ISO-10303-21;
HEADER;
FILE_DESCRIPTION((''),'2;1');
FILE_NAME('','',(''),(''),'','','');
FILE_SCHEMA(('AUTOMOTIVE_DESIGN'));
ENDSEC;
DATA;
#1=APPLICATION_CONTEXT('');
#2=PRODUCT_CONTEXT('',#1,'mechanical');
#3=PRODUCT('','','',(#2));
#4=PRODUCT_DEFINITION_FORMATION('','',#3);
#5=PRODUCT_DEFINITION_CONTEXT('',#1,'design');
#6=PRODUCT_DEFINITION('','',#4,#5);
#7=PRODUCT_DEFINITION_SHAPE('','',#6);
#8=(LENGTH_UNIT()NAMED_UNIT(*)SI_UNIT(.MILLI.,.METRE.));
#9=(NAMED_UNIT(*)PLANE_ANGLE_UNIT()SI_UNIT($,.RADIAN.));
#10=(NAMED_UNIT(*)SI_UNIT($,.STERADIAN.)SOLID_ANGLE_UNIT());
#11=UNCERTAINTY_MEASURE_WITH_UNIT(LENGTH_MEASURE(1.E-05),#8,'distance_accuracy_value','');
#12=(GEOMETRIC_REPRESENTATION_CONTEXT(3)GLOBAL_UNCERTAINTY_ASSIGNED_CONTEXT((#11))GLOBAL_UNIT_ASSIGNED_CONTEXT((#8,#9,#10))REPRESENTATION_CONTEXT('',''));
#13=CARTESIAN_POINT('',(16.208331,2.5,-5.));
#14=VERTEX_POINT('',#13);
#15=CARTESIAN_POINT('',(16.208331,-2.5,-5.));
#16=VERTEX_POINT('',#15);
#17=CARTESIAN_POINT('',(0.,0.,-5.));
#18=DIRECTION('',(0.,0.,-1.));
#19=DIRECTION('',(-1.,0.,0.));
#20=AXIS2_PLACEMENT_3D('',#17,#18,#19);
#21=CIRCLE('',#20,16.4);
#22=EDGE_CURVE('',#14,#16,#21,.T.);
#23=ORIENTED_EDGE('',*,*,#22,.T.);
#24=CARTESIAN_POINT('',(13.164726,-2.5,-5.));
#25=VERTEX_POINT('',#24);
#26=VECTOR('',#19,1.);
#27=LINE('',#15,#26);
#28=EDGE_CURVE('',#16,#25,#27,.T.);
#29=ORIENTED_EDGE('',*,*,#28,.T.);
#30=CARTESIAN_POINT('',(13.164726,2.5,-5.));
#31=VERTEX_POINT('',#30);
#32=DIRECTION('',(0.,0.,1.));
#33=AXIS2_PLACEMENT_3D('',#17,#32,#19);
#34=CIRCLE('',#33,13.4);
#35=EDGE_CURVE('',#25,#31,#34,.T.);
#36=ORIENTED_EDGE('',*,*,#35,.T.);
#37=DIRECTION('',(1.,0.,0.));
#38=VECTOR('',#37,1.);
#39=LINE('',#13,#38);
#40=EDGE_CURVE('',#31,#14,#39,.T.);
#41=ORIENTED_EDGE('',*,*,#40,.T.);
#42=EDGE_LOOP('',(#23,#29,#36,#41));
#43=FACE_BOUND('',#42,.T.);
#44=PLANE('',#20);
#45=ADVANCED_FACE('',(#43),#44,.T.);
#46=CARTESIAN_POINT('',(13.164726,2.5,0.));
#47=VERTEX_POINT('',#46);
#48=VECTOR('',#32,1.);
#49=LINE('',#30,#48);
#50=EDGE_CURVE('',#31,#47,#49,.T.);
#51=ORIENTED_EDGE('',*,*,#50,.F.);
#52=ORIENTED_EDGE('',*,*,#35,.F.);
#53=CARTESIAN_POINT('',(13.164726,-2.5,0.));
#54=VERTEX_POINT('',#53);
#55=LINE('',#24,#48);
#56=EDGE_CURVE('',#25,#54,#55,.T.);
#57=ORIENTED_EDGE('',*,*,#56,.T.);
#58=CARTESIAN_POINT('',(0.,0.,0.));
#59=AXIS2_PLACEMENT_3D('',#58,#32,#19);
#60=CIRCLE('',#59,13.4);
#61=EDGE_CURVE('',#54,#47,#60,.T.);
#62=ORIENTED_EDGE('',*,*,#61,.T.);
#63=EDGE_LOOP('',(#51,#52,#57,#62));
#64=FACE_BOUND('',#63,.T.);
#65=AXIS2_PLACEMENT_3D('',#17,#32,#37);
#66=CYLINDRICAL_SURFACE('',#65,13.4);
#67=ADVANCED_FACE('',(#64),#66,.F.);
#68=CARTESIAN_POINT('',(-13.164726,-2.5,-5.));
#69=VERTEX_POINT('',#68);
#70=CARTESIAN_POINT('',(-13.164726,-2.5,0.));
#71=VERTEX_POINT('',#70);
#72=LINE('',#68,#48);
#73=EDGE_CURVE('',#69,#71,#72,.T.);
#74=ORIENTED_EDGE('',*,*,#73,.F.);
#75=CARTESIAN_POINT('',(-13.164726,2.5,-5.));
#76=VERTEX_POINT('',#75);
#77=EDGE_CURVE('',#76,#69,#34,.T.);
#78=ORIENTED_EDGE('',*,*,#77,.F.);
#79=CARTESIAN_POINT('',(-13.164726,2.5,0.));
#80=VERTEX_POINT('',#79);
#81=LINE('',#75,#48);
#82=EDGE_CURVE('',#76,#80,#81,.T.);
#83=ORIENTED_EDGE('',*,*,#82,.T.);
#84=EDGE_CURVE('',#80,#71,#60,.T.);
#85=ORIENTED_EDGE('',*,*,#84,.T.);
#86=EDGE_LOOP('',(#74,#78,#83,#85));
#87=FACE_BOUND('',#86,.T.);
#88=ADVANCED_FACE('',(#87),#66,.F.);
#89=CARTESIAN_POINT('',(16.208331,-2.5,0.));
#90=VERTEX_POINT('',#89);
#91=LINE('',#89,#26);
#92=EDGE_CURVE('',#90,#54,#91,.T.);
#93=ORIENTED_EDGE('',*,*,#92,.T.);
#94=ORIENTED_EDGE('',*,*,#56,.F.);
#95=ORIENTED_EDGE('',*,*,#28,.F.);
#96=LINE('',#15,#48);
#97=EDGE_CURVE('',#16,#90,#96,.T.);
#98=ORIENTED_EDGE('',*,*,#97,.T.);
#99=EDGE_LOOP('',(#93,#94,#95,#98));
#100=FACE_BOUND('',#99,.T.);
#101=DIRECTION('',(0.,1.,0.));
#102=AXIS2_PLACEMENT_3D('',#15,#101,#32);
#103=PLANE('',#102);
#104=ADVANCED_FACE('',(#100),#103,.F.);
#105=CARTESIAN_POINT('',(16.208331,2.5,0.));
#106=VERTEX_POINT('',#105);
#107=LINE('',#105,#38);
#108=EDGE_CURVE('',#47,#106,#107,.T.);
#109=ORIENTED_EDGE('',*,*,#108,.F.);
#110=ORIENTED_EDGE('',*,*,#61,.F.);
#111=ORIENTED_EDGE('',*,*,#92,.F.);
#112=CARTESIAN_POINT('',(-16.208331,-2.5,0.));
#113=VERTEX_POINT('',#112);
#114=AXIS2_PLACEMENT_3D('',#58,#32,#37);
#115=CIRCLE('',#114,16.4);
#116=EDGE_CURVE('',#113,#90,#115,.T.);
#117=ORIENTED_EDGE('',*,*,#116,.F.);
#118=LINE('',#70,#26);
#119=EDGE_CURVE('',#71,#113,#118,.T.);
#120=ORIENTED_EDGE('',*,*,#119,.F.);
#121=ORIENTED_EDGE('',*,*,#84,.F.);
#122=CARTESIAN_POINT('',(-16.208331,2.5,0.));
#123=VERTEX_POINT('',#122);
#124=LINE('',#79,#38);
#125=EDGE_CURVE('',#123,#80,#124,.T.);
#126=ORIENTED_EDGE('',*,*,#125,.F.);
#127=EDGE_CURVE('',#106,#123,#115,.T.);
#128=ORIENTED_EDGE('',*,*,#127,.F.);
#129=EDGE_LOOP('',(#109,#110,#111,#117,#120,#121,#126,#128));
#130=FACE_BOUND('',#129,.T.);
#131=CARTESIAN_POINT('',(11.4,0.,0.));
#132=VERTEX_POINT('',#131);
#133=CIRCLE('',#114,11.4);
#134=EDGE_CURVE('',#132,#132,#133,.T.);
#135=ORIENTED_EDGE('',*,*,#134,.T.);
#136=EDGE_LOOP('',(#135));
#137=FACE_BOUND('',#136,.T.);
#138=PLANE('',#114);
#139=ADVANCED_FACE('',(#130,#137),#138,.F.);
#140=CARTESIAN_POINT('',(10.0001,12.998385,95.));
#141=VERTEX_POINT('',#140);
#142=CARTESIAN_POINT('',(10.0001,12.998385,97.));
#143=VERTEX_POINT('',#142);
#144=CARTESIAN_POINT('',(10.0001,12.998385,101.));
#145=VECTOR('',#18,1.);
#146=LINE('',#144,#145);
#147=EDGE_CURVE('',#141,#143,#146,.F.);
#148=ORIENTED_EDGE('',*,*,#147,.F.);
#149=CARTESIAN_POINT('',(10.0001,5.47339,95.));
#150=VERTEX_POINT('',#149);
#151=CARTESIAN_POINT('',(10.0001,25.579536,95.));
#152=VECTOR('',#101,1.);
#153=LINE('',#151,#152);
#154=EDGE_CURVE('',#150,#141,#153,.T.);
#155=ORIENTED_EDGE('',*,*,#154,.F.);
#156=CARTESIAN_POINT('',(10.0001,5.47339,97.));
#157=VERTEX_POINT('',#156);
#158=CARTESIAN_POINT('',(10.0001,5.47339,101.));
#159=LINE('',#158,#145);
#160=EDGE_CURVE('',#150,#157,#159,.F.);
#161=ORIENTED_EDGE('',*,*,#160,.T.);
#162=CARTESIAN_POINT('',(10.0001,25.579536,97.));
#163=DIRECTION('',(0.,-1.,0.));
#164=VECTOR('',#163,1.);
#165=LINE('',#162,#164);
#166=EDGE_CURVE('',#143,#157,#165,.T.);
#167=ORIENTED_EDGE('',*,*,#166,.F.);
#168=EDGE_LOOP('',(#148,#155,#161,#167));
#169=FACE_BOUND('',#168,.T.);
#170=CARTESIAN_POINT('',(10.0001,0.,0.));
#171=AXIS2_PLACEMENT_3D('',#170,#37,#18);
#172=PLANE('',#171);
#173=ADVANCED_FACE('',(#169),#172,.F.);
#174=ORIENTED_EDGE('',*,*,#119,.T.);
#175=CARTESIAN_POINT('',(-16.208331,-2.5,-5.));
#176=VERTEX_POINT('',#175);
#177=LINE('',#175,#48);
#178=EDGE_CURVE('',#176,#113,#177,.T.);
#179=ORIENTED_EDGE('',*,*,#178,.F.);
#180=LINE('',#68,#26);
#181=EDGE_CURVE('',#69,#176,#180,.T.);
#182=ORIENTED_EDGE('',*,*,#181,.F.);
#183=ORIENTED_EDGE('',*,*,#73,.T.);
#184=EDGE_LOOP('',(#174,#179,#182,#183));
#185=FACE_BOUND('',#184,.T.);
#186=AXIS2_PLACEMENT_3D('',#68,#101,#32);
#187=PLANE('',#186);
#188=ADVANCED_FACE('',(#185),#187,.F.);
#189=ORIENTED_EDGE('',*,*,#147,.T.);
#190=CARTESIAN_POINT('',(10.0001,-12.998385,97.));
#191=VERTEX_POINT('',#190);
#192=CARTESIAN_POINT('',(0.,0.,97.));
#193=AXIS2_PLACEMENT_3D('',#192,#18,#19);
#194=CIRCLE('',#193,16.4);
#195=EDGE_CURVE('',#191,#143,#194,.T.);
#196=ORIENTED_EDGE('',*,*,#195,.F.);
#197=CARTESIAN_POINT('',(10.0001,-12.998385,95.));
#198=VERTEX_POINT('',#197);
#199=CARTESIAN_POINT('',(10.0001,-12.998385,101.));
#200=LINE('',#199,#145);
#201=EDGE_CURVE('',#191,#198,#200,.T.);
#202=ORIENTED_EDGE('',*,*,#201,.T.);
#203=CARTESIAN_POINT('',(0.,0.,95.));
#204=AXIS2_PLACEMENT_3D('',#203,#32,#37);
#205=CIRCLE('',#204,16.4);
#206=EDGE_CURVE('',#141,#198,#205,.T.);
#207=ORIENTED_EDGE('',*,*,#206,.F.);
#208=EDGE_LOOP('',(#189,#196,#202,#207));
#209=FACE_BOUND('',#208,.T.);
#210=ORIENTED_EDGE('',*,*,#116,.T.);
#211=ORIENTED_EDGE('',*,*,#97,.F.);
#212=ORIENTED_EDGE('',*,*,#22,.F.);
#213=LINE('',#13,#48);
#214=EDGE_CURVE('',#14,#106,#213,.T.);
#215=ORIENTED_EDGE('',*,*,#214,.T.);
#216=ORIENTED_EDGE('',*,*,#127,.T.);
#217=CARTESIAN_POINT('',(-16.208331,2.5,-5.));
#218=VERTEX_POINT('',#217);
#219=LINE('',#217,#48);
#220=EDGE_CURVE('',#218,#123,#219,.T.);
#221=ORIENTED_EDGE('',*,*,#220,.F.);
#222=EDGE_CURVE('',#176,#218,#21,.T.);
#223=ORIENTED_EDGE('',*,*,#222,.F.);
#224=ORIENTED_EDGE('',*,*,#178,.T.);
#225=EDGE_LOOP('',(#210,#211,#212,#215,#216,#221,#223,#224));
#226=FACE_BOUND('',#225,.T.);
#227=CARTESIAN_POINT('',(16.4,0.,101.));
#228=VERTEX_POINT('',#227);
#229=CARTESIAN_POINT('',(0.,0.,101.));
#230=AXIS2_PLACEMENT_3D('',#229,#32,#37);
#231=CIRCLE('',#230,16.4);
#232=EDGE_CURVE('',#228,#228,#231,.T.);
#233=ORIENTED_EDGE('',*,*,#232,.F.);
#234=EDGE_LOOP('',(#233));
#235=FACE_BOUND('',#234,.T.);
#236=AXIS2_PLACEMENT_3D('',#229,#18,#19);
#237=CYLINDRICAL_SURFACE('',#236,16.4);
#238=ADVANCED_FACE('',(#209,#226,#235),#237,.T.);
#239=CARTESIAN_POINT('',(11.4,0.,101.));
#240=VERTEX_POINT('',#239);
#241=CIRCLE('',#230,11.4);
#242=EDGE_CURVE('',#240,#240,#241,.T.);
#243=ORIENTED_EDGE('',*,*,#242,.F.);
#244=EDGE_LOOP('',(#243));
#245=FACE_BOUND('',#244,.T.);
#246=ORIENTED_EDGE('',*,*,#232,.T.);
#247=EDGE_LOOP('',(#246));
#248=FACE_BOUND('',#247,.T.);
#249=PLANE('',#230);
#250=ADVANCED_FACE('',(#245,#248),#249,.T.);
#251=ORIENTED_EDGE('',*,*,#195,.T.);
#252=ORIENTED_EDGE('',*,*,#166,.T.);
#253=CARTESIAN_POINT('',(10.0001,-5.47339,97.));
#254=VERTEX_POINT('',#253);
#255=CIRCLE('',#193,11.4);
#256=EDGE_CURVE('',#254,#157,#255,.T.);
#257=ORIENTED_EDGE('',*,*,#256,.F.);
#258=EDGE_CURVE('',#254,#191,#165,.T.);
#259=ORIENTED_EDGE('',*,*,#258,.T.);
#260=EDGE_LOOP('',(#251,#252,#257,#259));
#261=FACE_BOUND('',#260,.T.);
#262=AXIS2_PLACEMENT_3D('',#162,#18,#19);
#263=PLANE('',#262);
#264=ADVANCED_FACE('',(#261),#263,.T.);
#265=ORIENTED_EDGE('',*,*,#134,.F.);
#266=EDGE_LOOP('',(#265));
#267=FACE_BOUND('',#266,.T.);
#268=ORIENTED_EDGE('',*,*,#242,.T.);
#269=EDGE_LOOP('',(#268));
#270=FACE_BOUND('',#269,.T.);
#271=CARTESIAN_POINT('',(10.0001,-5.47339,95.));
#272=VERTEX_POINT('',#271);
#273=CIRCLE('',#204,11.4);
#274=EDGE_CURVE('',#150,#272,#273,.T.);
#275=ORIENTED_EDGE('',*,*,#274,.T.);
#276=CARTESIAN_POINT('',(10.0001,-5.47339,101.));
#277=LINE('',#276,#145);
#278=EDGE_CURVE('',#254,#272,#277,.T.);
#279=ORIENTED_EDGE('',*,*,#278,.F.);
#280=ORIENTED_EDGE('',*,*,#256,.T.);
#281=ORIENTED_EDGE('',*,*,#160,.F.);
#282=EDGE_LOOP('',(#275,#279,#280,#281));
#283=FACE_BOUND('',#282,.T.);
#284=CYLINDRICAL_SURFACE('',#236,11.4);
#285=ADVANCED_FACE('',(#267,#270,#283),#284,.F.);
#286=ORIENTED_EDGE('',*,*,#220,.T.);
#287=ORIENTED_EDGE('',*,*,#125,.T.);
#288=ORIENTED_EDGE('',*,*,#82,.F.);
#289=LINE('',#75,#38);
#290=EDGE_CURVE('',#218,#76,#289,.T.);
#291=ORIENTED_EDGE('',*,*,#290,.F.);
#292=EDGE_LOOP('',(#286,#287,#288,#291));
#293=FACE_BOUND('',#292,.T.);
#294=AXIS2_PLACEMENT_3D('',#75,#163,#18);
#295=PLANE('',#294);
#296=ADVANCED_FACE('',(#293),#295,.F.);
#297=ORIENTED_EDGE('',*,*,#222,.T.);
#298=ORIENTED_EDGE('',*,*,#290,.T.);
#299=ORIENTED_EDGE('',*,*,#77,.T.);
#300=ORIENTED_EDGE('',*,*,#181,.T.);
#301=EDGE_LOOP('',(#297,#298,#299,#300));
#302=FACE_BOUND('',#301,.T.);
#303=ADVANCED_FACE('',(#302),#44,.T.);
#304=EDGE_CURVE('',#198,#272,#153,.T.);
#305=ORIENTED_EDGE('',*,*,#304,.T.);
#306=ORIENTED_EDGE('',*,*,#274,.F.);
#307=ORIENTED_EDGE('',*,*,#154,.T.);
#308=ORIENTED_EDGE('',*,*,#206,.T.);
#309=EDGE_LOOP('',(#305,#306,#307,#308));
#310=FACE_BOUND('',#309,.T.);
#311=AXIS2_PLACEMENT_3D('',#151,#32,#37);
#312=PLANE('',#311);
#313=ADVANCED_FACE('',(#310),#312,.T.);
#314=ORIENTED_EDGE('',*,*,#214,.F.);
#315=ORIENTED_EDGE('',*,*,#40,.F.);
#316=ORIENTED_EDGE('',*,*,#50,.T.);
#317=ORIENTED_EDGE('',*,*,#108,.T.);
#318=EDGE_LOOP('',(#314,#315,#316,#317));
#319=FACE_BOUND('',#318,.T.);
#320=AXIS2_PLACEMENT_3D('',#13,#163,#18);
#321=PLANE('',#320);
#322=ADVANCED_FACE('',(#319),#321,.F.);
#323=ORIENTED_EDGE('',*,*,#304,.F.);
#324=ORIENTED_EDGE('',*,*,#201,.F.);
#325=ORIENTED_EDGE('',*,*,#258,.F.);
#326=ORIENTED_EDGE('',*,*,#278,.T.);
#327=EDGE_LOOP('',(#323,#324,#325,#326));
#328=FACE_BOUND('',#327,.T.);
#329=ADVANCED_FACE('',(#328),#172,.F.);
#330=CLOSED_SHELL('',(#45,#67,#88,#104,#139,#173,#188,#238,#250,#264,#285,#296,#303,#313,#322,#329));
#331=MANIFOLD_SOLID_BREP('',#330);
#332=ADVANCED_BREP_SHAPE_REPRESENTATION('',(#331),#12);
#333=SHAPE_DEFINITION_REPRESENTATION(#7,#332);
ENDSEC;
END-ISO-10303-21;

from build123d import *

# Parameters (mm, degrees)
SKETCH1_R               = 16.4
SKETCH1_R_2             = 11.4
BOSS_EXTRUDE1_DEPTH     = 101
CUT_EXTRUDE1_DEPTH      = 10.0001
CUT_EXTRUDE1_DEPTH_BACK = 100
SKETCH2_W               = 2
SKETCH2_H               = 49.498063887
BOSS_EXTRUDE2_START     = 5
BOSS_EXTRUDE2_DEPTH     = 5


with BuildPart() as part:
    # Sketch1 → Boss-Extrude1 (new body)
    with BuildSketch(Plane.XY):
        Circle(SKETCH1_R)
        Circle(SKETCH1_R_2, mode=Mode.SUBTRACT)
    extrude(amount=BOSS_EXTRUDE1_DEPTH)

    # Sketch2 → Cut-Extrude1 (cut, two sides: drawn at the far end of the back side and taken through both)
    with BuildSketch(Plane(origin=(0, 0, 0), x_dir=(0, 0, -1), z_dir=(1, 0, 0)).offset(-CUT_EXTRUDE1_DEPTH_BACK)):
        with Locations((-96, 0.830504428)):
            Rectangle(SKETCH2_W, SKETCH2_H)
    extrude(amount=CUT_EXTRUDE1_DEPTH + CUT_EXTRUDE1_DEPTH_BACK, mode=Mode.SUBTRACT)

    # Sketch3 → Boss-Extrude2 (add)
    with BuildSketch(Plane(origin=(0, 0, 0), x_dir=(-1, 0, 0), z_dir=(0, 0, -1)).offset(BOSS_EXTRUDE2_START)):
        with BuildLine():
            Line((13.164725595, 2.5), (16.208331191, 2.5))
            ThreePointArc((16.208331191, 2.5), (16.4, 0), (16.208331191, -2.5))
            Line((16.208331191, -2.5), (13.164725595, -2.5))
            ThreePointArc((13.164725595, -2.5), (13.4, 0), (13.164725595, 2.5))
        make_face()
        with BuildLine():
            Line((-16.208331191, 2.5), (-13.164725595, 2.5))
            ThreePointArc((-13.164725595, 2.5), (-13.4, 0), (-13.164725595, -2.5))
            Line((-13.164725595, -2.5), (-16.208331191, -2.5))
            ThreePointArc((-16.208331191, -2.5), (-16.4, 0), (-16.208331191, 2.5))
        make_face()
    extrude(amount=-BOSS_EXTRUDE2_DEPTH)


solid = part.part
